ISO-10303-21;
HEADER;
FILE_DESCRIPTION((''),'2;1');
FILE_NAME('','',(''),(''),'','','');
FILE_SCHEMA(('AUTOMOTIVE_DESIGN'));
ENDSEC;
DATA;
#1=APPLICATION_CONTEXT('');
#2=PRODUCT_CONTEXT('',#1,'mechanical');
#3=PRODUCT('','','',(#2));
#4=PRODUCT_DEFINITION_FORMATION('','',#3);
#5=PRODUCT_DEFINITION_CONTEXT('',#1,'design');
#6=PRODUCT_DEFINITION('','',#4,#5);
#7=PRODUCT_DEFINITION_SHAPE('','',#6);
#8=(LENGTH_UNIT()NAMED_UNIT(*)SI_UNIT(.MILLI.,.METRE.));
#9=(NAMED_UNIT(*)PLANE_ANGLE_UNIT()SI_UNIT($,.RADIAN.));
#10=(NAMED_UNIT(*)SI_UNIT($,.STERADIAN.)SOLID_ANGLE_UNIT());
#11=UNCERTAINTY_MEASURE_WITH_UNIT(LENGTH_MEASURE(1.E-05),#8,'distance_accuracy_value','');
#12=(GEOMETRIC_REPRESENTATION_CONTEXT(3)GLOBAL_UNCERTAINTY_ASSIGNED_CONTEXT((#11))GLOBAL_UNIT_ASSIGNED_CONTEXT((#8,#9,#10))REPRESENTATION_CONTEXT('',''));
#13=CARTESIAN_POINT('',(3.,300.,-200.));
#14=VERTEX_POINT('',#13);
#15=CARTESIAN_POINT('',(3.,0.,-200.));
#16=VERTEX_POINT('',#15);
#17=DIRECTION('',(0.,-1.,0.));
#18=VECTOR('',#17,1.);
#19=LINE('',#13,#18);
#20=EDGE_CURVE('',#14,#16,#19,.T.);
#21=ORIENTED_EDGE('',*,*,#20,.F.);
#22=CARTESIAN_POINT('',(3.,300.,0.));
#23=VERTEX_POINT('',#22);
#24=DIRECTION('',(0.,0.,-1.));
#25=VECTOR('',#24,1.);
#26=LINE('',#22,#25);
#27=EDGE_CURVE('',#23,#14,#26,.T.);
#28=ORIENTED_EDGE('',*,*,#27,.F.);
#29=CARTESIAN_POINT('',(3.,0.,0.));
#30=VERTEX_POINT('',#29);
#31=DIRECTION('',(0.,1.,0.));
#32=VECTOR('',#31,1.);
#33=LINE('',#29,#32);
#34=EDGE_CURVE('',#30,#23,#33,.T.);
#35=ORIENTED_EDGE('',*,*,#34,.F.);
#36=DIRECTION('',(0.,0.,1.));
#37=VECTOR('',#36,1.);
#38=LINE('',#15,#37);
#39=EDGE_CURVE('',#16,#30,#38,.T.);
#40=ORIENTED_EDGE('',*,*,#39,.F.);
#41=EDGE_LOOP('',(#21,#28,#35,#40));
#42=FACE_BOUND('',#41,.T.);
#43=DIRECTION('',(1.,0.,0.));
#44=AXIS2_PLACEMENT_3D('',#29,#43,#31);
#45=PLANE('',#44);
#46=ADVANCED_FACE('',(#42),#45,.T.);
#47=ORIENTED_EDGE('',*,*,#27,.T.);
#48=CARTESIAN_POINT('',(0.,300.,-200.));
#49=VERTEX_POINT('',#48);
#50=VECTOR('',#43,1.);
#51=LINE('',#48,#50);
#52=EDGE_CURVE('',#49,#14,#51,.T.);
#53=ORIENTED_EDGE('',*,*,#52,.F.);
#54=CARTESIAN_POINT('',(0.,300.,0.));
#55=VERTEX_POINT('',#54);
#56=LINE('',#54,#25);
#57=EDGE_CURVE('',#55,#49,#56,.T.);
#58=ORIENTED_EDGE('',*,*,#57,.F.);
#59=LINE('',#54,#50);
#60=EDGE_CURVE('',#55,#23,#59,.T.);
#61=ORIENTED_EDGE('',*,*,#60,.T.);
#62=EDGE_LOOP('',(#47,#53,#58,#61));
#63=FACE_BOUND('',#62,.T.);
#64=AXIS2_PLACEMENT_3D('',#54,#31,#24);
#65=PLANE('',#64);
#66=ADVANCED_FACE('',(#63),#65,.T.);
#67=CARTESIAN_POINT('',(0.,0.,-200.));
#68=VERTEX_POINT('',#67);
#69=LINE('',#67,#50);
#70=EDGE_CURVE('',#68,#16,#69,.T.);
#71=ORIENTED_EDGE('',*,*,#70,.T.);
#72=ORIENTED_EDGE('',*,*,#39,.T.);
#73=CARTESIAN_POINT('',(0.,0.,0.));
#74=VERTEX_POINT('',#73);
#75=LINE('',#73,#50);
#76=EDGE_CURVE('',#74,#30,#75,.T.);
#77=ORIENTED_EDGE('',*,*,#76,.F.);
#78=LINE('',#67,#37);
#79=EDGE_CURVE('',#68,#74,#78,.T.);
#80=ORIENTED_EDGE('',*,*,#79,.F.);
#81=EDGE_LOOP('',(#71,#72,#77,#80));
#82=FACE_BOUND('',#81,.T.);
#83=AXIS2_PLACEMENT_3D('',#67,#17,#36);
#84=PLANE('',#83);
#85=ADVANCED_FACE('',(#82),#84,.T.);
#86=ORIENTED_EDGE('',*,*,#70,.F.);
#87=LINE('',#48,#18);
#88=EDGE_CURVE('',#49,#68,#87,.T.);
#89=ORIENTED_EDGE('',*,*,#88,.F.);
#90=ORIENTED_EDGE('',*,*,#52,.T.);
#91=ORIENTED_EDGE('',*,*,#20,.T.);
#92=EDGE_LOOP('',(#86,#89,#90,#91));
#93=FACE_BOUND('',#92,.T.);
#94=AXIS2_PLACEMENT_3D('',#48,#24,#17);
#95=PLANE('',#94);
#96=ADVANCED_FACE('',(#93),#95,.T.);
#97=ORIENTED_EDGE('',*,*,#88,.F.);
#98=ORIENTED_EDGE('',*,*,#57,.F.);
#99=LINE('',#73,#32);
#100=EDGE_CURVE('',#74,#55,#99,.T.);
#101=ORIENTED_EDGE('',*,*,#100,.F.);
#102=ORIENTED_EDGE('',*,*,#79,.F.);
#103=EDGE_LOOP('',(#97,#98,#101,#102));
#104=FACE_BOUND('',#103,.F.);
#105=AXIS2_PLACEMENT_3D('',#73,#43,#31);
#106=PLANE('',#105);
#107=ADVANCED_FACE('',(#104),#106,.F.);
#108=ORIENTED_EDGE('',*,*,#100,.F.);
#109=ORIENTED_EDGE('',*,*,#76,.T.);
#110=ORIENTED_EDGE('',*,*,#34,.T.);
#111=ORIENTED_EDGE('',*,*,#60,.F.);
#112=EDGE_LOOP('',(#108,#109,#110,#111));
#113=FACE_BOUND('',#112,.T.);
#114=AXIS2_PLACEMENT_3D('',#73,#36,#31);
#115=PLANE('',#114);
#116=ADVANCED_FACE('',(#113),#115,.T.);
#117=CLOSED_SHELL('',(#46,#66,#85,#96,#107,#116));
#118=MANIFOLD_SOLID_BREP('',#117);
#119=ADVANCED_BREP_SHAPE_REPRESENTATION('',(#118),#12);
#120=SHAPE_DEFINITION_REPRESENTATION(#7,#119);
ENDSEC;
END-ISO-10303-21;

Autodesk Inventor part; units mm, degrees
ref_plane "YZ Plane" through (0, 0, 0) normal (1, 0, 0) x (0, 1, 0)
ref_plane "XZ Plane" through (0, 0, 0) normal (0, 1, 0) x (-1, 0, 0)
ref_plane "XY Plane" through (0, 0, 0) normal (0, 0, 1) x (1, 0, 0)
sketch "Sketch1" plane through (0, 0, 0) normal (1, 0, 0) x (0, 1, 0)
  point P0 (0, 0)
sketch "Sketch2" plane through (0, 0, 0) normal (1, 0, 0) x (0, 1, 0)
  line L0 (0, 0) -> (300, 0)
  line L1 (300, 0) -> (300, -200)
  line L2 (300, -200) -> (0, -200)
  line L3 (0, -200) -> (0, 0)
  dimension "d0" = 300
  dimension "d1" = 200
extrude "Extrusion1" add sketch "Sketch2" along normal blind 3
